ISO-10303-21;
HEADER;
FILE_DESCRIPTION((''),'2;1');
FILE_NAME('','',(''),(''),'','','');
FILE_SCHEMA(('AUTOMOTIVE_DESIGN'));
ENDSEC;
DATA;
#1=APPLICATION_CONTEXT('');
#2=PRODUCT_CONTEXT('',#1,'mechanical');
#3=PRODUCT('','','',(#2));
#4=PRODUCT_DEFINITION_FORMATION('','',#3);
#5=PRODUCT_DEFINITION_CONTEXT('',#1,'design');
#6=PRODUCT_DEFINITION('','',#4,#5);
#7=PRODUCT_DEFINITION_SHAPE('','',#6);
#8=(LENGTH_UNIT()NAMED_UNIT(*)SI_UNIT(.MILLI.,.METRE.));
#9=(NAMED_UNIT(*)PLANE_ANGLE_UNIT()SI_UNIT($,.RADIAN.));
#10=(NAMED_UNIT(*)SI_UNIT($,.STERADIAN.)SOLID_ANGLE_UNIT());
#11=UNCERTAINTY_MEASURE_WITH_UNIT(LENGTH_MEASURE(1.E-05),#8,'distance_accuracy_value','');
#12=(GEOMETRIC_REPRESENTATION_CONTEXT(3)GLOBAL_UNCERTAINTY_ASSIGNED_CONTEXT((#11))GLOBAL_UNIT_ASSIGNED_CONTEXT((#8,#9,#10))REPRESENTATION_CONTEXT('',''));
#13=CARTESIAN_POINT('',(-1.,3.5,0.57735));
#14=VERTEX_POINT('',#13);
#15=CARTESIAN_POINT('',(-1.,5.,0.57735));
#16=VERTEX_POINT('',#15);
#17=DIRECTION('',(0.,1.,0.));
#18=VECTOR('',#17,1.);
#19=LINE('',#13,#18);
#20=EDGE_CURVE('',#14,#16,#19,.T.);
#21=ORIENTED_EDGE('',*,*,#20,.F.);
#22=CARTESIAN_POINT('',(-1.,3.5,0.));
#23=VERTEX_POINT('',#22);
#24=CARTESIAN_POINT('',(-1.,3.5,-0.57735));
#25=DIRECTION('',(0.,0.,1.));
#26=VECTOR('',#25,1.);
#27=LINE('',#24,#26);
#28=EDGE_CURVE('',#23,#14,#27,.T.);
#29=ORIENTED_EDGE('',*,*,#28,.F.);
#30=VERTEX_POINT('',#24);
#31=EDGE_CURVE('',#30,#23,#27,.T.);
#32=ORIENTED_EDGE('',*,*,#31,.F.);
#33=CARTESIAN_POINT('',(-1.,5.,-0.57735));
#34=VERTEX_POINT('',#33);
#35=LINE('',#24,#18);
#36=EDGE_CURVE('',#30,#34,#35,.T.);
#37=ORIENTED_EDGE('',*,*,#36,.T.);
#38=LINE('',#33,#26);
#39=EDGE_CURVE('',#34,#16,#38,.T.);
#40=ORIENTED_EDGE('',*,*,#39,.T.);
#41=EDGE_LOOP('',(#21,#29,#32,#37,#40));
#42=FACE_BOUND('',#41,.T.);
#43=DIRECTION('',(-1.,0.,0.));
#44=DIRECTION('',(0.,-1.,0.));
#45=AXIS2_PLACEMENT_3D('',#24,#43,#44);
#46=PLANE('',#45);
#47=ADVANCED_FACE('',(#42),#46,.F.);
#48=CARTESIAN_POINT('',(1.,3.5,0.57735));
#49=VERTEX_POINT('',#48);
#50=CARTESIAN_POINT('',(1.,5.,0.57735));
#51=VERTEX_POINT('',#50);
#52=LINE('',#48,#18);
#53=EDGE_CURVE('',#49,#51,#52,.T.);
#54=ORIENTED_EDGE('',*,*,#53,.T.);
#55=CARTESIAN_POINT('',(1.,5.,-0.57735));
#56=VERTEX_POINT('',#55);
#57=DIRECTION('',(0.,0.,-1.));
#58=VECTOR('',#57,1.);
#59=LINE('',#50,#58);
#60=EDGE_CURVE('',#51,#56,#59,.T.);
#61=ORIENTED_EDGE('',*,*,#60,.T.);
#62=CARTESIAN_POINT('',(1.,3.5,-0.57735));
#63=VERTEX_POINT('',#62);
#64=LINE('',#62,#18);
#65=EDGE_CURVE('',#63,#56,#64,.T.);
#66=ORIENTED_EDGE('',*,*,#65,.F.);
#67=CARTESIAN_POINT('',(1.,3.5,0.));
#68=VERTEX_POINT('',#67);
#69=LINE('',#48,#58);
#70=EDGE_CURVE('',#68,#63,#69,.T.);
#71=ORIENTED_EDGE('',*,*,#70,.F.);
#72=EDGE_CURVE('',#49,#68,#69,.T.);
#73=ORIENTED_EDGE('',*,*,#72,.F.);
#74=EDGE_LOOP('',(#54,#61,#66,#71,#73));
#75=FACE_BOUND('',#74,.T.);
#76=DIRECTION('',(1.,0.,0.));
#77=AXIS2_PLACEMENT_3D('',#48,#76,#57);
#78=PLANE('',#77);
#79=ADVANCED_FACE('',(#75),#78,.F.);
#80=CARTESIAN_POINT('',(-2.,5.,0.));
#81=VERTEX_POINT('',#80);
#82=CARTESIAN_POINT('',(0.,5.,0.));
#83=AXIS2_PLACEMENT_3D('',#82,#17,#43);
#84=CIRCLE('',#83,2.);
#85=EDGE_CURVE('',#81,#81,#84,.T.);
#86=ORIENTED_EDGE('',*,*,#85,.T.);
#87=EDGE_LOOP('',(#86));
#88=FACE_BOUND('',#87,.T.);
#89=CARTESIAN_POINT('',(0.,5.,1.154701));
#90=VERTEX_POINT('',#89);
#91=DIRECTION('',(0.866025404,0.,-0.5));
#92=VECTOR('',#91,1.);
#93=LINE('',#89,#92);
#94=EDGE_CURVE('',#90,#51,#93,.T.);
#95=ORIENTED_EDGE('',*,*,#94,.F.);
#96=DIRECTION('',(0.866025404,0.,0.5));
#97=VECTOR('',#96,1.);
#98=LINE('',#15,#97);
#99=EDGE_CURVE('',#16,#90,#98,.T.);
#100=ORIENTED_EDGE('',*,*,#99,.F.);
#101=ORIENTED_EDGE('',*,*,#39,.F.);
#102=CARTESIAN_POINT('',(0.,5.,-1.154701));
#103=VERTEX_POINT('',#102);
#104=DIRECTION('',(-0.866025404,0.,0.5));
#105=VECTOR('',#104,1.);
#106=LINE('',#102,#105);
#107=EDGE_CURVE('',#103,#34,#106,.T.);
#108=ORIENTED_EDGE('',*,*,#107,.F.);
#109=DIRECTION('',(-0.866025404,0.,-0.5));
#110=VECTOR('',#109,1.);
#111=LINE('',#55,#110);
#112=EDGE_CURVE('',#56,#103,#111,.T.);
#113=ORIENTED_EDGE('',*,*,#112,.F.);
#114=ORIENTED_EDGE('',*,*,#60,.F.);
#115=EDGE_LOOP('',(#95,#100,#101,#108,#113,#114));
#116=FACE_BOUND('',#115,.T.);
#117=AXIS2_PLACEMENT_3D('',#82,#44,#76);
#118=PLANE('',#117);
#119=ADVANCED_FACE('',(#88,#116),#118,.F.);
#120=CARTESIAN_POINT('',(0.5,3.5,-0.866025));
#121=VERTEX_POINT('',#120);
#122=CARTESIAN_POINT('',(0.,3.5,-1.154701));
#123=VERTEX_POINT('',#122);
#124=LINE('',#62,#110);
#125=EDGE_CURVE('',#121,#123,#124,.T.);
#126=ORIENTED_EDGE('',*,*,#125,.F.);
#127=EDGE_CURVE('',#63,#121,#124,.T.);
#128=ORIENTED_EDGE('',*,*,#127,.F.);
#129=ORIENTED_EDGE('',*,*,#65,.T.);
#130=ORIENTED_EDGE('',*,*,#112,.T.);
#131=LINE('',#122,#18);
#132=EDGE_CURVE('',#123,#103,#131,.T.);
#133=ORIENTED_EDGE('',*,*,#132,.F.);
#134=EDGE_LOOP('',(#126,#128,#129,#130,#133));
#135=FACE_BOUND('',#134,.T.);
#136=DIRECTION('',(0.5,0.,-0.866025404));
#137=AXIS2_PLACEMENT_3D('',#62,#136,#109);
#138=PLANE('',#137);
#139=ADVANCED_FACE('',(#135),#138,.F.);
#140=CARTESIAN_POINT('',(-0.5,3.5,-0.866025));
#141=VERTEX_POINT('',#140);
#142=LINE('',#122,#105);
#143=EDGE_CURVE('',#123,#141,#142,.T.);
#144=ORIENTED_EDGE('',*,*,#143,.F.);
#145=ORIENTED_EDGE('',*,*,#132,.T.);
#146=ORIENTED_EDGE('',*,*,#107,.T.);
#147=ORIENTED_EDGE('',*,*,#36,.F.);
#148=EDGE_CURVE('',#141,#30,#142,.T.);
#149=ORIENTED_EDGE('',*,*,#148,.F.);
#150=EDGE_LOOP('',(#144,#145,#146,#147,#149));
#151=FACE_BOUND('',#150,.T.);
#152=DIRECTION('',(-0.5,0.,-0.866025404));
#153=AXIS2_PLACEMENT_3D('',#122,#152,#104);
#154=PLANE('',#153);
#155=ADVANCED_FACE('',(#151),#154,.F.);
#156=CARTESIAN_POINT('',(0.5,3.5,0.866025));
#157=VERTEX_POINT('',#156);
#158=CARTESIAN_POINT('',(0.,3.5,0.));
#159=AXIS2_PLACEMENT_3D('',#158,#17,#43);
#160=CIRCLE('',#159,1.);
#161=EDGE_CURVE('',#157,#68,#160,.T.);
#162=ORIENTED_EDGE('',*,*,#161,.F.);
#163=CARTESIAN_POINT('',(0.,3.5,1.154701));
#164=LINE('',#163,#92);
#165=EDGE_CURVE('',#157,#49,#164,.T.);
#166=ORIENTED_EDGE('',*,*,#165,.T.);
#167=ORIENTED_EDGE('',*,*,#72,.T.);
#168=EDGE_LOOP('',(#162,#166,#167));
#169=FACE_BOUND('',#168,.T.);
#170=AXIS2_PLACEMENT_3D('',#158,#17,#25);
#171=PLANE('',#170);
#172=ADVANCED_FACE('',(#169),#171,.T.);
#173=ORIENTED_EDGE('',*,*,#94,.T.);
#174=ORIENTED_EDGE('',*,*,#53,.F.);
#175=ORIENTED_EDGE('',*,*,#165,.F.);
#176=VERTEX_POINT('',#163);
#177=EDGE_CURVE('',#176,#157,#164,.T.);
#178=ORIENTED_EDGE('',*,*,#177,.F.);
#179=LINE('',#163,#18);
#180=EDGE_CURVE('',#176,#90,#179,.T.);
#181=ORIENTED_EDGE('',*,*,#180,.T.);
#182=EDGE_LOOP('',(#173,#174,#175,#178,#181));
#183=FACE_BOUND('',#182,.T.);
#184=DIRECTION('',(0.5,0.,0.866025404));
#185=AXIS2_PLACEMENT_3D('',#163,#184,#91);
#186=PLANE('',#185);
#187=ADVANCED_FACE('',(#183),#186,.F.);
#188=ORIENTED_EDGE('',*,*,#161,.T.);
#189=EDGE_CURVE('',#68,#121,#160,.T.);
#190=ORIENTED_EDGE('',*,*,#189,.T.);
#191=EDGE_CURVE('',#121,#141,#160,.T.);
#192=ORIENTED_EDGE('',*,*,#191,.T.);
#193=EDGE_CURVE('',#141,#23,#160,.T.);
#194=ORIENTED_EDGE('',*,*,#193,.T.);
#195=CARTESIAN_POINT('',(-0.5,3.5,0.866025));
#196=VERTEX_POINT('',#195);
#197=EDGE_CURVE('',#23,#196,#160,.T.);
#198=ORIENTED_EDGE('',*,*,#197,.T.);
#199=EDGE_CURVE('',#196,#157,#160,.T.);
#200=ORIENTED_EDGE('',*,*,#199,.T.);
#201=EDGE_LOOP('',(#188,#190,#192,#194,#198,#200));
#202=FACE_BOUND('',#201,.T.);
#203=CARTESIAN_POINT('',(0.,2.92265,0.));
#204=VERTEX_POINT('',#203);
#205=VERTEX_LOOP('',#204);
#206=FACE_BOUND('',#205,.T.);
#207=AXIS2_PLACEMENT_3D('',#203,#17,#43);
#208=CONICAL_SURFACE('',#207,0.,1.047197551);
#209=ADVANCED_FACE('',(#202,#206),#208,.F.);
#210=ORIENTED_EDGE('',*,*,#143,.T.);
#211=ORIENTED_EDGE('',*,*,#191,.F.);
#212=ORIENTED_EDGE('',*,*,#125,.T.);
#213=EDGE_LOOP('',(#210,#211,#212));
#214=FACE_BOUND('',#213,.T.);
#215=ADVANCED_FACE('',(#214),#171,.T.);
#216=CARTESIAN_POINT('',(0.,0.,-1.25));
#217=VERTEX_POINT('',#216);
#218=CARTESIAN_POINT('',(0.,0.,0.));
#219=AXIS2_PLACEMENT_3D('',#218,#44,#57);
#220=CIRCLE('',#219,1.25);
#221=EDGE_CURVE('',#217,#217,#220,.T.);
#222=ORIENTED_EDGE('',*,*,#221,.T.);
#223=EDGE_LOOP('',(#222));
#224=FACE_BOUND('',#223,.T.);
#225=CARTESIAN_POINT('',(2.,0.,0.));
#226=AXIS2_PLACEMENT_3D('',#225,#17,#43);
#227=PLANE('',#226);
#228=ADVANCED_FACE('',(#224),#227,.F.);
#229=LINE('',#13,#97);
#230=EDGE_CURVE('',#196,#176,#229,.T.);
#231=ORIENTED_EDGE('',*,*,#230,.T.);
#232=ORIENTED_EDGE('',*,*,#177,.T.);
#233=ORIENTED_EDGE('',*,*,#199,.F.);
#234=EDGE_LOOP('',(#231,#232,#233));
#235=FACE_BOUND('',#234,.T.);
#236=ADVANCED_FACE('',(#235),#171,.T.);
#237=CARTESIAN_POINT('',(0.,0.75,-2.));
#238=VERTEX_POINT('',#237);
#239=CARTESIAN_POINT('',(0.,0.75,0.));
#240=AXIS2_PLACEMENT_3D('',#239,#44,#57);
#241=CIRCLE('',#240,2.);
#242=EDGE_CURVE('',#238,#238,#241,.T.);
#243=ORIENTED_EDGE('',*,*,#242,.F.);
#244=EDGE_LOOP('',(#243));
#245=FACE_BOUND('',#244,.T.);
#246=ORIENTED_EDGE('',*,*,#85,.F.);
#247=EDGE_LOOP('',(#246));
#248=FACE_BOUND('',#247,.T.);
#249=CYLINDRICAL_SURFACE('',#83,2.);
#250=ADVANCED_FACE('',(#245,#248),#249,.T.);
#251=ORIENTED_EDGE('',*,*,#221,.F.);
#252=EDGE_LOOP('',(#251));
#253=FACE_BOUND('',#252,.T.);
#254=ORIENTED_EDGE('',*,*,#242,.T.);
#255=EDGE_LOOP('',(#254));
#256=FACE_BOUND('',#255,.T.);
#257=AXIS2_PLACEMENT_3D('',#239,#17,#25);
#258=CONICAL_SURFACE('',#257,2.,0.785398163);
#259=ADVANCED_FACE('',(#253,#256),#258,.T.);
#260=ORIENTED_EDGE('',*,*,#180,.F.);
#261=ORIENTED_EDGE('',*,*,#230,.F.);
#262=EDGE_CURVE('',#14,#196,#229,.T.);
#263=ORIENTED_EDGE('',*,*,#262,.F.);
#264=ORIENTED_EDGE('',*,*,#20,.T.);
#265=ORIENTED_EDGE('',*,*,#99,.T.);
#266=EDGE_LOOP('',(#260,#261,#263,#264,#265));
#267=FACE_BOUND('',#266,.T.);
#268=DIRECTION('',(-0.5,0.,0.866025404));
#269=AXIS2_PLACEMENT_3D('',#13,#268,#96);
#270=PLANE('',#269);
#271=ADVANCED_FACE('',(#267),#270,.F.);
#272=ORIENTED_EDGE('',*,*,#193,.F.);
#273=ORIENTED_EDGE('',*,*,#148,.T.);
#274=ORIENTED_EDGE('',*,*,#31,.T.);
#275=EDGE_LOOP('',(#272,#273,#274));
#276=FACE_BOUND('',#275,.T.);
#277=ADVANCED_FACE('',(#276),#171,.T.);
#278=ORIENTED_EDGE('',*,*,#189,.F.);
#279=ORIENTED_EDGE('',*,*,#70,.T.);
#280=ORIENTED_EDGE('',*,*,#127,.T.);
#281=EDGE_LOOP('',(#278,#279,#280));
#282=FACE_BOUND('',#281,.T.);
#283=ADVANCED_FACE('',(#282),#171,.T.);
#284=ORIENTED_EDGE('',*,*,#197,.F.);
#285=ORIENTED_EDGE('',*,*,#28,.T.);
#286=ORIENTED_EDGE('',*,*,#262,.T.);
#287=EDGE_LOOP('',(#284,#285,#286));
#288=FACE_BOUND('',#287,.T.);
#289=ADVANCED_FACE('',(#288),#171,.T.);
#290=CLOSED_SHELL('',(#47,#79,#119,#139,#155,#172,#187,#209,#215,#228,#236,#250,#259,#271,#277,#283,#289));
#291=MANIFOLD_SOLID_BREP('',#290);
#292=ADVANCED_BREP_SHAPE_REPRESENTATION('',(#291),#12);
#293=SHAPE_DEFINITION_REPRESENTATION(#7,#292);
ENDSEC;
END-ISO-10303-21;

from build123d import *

# Parameters (mm, degrees)
SKETCH1_W          = 2
SKETCH1_H          = 5
CUT_EXTRUDE1_DEPTH = 1.5


with BuildPart() as part:
    # Sketch1 → Revolve1 (revolve)
    with BuildSketch(Plane.XY, mode=Mode.PRIVATE) as revolve1_sk:
        with Locations((1, 2.5)):
            Rectangle(SKETCH1_W, SKETCH1_H)
    revolve(revolve1_sk.sketch.rotate(Axis((0, 5, 0), (0, -1, 0)), 180), axis=Axis((0, 5, 0), (0, -1, 0)))

    # Sketch2 → Cut-Revolve1 (revolve, cut)
    with BuildSketch(Plane.XY, mode=Mode.PRIVATE) as cut_revolve1_sk:
        Polygon((0, 5), (1, 5), (1, 3.5), (0, 2.922649731), align=None)
    revolve(cut_revolve1_sk.sketch.rotate(Axis((0, 5, 0), (0, -1, 0)), 180), axis=Axis((0, 5, 0), (0, -1, 0)), mode=Mode.SUBTRACT)

    # Sketch3 → Cut-Extrude1 (cut)
    with BuildSketch(Plane(origin=(0, 5, 0), x_dir=(1, 0, 0), z_dir=(0, 1, 0))):
        Polygon((0, 1.154700538), (-1, 0.577350269), (-1, -0.577350269), (0, -1.154700538), (1, -0.577350269), (1, 0.577350269), align=None)
    extrude(amount=-CUT_EXTRUDE1_DEPTH, mode=Mode.SUBTRACT)

    # Sketch4 → Cut-Revolve2 (revolve, cut)
    with BuildSketch(Plane.XY, mode=Mode.PRIVATE) as cut_revolve2_sk:
        Polygon((1.25, 0), (2, 0), (2, 0.75), align=None)
    revolve(cut_revolve2_sk.sketch.rotate(Axis((0, 0, 0), (0, 1, 0)), 180), axis=Axis((0, 0, 0), (0, 1, 0)), mode=Mode.SUBTRACT)


solid = part.part
